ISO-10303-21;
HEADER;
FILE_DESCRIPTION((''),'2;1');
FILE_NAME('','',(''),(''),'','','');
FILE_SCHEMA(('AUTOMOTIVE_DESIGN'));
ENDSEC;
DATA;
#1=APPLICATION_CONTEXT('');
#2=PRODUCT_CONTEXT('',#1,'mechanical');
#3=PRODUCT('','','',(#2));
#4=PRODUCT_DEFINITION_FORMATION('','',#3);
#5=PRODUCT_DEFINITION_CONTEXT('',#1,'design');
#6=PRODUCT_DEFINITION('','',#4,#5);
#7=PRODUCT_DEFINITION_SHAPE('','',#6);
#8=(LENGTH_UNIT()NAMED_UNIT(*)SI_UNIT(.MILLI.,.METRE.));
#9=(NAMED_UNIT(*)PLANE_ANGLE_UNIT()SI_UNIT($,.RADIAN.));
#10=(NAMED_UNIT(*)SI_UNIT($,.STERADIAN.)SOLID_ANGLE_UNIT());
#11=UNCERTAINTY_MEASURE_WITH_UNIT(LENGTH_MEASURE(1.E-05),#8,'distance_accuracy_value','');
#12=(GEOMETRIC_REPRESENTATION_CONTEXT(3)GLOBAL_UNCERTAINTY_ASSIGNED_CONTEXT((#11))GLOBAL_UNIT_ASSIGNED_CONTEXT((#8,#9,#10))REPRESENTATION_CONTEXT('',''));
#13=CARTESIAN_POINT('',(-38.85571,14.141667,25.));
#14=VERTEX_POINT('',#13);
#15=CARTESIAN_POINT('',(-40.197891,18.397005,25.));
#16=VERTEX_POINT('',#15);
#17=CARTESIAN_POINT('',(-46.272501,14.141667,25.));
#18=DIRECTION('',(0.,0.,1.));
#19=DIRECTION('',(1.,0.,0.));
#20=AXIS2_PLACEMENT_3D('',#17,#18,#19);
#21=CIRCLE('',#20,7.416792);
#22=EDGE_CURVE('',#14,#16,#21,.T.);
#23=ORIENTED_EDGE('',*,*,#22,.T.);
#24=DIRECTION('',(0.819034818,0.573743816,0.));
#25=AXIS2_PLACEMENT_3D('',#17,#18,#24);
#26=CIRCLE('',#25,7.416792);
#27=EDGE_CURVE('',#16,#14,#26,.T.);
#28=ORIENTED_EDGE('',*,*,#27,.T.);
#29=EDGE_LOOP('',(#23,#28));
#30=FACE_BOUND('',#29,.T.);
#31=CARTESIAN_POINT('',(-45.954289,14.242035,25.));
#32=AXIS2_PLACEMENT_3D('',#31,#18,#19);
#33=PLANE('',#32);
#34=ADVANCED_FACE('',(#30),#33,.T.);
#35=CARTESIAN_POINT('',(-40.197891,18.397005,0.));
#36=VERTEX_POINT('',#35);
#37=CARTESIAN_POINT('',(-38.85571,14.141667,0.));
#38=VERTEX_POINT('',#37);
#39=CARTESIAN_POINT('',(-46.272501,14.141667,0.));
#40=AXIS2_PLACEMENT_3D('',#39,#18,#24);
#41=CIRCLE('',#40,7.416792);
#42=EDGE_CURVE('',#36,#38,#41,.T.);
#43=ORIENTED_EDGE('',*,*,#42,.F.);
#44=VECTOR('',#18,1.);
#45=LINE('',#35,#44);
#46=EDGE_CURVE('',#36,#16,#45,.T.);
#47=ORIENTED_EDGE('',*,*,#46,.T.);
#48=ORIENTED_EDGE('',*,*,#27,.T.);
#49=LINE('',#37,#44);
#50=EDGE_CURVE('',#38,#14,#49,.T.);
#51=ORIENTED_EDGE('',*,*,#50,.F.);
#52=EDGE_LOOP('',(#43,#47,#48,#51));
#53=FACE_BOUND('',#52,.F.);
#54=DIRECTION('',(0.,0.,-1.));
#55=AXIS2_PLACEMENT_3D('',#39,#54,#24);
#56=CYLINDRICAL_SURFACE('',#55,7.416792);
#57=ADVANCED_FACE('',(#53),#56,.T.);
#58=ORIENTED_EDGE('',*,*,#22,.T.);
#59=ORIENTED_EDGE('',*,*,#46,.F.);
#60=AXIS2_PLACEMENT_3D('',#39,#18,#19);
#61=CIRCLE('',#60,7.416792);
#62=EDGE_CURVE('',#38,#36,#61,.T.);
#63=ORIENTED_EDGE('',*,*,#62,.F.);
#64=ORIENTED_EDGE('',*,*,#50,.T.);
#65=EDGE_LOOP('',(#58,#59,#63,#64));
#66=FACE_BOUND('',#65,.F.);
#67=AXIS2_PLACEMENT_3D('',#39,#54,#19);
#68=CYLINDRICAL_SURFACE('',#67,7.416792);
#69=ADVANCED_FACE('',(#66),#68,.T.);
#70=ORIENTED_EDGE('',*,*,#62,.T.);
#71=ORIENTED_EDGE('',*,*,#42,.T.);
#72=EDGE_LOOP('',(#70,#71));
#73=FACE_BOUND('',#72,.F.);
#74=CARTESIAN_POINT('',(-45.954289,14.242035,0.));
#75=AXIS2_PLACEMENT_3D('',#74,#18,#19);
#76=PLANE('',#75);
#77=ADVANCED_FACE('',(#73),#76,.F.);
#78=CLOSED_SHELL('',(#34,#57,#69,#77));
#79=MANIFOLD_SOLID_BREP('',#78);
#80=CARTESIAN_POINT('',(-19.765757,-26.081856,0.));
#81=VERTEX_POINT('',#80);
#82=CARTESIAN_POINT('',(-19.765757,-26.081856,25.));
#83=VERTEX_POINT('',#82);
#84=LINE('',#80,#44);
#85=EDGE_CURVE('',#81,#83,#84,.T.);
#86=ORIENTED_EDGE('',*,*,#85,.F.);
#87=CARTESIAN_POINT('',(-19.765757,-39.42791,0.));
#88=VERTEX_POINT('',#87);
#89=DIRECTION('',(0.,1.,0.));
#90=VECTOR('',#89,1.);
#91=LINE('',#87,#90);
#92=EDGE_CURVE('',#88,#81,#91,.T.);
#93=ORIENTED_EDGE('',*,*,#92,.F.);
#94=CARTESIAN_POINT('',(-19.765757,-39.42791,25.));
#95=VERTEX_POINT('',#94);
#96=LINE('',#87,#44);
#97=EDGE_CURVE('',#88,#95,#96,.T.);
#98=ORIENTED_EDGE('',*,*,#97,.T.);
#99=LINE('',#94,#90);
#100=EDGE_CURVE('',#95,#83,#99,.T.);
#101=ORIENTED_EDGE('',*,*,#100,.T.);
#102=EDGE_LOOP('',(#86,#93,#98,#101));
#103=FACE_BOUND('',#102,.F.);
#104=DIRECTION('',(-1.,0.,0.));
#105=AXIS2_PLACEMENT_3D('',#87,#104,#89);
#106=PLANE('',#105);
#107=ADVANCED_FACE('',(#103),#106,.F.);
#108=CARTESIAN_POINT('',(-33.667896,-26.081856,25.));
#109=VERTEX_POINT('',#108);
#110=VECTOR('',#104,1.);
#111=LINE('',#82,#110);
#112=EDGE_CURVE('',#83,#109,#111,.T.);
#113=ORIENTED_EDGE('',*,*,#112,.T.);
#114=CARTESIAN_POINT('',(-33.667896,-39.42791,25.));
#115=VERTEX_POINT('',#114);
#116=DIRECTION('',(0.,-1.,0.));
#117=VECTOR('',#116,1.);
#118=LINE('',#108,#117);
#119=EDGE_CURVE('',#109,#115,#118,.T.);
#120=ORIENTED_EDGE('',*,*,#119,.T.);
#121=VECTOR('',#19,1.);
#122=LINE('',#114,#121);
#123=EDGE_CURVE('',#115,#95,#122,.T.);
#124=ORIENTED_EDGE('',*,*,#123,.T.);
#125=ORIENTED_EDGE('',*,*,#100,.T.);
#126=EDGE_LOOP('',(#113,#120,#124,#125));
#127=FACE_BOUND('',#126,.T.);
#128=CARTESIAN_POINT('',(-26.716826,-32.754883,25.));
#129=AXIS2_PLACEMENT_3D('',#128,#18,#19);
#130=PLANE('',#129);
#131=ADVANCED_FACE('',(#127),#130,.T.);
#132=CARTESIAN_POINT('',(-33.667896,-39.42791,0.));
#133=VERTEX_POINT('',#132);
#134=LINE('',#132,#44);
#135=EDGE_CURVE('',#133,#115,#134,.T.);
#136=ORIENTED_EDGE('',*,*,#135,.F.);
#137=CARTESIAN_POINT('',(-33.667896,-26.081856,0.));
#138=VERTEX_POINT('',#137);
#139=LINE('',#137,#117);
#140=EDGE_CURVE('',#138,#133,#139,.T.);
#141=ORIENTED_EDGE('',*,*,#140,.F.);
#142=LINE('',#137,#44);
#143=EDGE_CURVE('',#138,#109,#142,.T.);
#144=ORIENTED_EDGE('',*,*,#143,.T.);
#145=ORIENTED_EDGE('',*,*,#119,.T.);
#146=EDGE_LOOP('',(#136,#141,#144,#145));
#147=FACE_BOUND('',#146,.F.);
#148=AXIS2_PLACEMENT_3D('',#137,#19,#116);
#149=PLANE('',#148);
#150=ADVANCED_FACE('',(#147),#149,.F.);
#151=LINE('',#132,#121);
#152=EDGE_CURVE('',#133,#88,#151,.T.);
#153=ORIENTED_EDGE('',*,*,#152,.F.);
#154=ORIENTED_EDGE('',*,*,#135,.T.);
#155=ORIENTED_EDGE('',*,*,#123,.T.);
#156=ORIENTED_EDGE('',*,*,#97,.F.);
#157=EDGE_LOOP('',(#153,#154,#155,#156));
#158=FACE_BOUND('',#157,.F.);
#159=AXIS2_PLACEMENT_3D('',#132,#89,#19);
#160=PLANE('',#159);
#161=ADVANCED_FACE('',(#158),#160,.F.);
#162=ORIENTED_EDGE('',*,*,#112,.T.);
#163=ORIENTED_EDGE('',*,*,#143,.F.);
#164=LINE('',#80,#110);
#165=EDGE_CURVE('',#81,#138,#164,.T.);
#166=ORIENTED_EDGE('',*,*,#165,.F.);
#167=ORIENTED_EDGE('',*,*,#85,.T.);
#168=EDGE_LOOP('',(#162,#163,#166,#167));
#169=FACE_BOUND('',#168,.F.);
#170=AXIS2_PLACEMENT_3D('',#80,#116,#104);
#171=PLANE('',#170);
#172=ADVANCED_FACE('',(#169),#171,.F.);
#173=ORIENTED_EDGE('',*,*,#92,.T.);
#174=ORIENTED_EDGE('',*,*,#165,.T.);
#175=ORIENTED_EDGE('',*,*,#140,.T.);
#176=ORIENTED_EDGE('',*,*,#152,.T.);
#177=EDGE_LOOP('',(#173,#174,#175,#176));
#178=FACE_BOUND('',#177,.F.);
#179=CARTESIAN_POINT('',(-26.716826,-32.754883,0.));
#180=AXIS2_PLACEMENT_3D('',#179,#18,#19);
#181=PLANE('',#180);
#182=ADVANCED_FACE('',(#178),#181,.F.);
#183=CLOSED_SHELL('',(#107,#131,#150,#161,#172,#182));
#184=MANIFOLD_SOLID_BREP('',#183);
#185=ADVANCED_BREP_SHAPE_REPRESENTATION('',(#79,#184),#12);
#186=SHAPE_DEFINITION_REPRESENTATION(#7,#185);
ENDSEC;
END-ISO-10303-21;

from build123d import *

# Parameters (mm, degrees)
F1_DEPTH = 25


with BuildPart() as f1:
    # F0 (on Top) → F1 (new body)
    with BuildSketch(Plane.XY):
        with BuildLine():
            ThreePointArc((-38.8557095999, 14.1416667029), (-39.1992092506, 16.3726617141), (-40.197890669, 18.3970051075))
            ThreePointArc((-40.197890669, 18.3970051075), (-53.3457934483, 11.9106716918), (-38.8557095999, 14.1416667029))
        make_face()
    extrude(amount=F1_DEPTH)


with BuildPart() as f1b:
    # F0 (on Top) → F1, piece 2 (new body)
    with BuildSketch(Plane.XY):
        Polygon((-19.7657570243, -26.0818563402), (-26.994869113, -26.0818563402), (-33.6678959429, -26.0818563402), (-33.6678959429, -39.42791), (-19.7657570243, -39.42791), align=None)
    extrude(amount=F1_DEPTH)


solid = Compound([f1.part, f1b.part])
